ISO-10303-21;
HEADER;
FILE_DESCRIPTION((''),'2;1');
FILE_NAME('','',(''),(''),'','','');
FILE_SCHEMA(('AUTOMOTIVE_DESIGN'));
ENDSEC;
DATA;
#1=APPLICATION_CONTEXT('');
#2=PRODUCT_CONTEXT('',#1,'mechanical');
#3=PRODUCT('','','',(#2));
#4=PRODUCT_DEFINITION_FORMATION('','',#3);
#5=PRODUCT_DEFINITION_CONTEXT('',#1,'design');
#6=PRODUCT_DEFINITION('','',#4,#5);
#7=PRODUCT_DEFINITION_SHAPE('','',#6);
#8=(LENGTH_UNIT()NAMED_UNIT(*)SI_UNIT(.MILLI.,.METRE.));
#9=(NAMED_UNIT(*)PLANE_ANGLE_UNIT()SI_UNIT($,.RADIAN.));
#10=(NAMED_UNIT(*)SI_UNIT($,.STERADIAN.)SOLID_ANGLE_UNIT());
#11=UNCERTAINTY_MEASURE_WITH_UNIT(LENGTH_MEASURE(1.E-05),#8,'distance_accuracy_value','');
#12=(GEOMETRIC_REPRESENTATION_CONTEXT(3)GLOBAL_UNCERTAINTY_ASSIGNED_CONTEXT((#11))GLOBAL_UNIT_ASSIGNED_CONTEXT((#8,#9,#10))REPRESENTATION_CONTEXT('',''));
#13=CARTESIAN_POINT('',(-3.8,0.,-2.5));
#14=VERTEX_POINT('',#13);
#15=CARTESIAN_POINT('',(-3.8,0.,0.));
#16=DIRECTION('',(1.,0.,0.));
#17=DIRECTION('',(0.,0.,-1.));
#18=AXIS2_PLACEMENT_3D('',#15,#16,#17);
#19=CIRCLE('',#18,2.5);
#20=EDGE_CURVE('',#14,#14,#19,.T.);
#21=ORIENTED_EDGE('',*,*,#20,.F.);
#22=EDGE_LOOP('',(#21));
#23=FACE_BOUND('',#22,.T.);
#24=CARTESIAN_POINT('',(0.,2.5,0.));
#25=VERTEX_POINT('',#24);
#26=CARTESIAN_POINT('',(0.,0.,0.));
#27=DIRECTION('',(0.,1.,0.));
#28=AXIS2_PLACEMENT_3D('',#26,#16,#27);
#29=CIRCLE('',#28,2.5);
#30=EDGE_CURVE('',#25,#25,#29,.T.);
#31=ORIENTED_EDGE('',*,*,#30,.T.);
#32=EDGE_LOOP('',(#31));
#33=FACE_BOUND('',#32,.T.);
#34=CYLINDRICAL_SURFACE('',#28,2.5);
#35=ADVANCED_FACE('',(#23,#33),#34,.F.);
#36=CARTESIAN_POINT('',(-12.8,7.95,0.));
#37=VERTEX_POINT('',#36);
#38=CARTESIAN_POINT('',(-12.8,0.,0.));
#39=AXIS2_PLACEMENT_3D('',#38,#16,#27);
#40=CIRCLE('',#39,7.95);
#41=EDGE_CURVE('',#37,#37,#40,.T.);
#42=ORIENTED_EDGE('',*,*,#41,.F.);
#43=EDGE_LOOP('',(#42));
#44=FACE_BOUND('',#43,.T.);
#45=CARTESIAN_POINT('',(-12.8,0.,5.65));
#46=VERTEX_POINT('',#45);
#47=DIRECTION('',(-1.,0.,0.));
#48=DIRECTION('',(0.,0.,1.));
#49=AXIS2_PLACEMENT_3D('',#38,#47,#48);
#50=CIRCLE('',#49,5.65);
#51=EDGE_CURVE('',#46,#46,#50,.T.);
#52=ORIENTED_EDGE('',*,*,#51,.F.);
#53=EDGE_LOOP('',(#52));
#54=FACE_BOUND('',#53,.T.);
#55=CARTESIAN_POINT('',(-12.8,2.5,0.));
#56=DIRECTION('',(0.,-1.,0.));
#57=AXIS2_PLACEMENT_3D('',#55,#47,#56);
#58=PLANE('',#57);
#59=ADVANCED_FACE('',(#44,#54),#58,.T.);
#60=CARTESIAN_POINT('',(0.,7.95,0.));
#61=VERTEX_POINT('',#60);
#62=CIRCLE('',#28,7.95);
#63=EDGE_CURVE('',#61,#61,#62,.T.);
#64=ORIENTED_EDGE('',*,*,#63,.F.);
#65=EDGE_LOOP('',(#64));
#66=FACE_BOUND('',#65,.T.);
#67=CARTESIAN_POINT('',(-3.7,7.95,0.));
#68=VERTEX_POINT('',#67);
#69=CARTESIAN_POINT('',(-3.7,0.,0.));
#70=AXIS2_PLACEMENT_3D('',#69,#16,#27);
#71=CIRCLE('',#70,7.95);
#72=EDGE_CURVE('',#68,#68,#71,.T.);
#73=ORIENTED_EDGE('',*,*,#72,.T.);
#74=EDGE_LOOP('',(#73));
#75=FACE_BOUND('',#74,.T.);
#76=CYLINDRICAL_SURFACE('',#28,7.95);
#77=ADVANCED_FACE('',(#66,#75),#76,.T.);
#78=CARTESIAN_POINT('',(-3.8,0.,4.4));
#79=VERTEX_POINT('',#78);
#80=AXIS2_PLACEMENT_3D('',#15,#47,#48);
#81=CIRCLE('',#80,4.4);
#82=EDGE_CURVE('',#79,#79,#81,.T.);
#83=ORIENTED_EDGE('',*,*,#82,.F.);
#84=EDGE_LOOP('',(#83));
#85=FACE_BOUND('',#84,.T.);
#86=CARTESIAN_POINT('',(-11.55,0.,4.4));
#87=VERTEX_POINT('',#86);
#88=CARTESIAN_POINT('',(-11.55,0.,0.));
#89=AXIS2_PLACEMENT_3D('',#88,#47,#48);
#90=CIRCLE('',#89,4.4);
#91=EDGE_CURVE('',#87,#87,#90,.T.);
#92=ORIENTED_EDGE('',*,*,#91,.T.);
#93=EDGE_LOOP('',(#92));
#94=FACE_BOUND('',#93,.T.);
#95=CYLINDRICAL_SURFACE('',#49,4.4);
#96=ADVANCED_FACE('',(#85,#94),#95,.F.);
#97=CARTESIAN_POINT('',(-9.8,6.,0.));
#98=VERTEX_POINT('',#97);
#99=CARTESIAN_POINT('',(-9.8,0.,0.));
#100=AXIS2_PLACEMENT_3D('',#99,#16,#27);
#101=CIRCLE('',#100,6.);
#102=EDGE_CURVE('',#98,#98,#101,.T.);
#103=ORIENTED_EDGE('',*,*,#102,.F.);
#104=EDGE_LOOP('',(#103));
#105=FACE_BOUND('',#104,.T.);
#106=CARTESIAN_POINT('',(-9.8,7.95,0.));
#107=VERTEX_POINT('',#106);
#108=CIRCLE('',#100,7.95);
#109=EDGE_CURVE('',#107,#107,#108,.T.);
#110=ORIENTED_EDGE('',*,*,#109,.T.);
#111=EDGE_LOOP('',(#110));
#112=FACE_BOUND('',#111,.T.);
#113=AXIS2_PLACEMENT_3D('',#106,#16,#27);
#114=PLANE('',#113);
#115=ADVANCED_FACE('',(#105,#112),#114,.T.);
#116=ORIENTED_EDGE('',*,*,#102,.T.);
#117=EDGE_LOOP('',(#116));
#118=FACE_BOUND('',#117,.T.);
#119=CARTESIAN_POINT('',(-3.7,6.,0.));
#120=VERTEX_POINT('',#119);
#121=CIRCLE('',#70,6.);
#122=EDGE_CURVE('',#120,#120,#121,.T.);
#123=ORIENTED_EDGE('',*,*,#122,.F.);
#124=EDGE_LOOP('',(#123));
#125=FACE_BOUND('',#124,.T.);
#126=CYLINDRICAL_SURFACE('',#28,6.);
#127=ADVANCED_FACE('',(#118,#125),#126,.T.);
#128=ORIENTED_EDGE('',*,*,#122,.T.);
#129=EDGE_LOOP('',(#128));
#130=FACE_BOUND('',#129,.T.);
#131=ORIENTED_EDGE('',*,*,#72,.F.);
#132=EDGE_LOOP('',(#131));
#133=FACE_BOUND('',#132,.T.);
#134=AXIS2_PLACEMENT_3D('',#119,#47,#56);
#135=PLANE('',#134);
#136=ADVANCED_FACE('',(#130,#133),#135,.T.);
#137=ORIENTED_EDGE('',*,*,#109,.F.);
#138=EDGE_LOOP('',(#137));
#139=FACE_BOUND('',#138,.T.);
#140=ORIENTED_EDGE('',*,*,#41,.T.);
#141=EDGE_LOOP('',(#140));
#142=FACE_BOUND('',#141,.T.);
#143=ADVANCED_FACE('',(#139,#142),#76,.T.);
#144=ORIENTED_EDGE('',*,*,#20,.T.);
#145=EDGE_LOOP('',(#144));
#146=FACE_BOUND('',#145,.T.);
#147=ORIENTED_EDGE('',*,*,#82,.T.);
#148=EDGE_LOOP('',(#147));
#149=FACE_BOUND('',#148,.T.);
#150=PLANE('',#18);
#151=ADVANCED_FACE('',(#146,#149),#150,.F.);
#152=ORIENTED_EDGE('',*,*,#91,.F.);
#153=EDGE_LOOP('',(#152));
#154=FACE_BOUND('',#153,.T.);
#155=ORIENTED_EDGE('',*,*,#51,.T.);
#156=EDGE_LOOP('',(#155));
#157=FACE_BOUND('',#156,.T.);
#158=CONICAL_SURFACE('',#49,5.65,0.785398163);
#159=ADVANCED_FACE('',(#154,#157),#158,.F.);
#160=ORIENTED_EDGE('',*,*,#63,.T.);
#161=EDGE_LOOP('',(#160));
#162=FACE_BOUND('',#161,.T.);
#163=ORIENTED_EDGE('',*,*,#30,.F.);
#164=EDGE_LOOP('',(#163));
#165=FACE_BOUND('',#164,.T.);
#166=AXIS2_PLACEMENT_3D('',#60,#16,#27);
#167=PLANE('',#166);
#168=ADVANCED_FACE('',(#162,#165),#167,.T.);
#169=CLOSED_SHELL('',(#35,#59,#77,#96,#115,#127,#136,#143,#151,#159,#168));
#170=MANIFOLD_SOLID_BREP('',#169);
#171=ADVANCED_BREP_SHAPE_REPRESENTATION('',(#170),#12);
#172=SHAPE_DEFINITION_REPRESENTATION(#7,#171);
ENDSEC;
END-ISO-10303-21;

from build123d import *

# Parameters (mm, degrees)
HOLE_WIZARD_G1_81_D           = 8.8
HOLE_WIZARD_G1_81_DEPTH       = 9
HOLE_WIZARD_G1_81_CSINK_D     = 11.3
HOLE_WIZARD_G1_81_CSINK_ANGLE = 90


with BuildPart() as part:
    # Эскиз2 → Повернуть1 (revolve)
    with BuildSketch(Plane.XY):
        Polygon((-12.8, 2.5), (-12.8, 7.95), (-9.8, 7.95), (-9.8, 6), (-3.7, 6), (-3.7, 7.95), (0, 7.95), (0, 2.5), align=None)
    revolve(axis=Axis((0, 0, 0), (-1, 0, 0)))

    # Отверстие обработанное метчиком G1/81
    with Locations(Plane(origin=(-12.8, 0, 0), x_dir=(0, -1, 0), z_dir=(-1, 0, 0))):
        with Locations((0, 0)):
            CounterSinkHole(HOLE_WIZARD_G1_81_D / 2, HOLE_WIZARD_G1_81_CSINK_D / 2, depth=HOLE_WIZARD_G1_81_DEPTH, counter_sink_angle=HOLE_WIZARD_G1_81_CSINK_ANGLE)


solid = part.part
